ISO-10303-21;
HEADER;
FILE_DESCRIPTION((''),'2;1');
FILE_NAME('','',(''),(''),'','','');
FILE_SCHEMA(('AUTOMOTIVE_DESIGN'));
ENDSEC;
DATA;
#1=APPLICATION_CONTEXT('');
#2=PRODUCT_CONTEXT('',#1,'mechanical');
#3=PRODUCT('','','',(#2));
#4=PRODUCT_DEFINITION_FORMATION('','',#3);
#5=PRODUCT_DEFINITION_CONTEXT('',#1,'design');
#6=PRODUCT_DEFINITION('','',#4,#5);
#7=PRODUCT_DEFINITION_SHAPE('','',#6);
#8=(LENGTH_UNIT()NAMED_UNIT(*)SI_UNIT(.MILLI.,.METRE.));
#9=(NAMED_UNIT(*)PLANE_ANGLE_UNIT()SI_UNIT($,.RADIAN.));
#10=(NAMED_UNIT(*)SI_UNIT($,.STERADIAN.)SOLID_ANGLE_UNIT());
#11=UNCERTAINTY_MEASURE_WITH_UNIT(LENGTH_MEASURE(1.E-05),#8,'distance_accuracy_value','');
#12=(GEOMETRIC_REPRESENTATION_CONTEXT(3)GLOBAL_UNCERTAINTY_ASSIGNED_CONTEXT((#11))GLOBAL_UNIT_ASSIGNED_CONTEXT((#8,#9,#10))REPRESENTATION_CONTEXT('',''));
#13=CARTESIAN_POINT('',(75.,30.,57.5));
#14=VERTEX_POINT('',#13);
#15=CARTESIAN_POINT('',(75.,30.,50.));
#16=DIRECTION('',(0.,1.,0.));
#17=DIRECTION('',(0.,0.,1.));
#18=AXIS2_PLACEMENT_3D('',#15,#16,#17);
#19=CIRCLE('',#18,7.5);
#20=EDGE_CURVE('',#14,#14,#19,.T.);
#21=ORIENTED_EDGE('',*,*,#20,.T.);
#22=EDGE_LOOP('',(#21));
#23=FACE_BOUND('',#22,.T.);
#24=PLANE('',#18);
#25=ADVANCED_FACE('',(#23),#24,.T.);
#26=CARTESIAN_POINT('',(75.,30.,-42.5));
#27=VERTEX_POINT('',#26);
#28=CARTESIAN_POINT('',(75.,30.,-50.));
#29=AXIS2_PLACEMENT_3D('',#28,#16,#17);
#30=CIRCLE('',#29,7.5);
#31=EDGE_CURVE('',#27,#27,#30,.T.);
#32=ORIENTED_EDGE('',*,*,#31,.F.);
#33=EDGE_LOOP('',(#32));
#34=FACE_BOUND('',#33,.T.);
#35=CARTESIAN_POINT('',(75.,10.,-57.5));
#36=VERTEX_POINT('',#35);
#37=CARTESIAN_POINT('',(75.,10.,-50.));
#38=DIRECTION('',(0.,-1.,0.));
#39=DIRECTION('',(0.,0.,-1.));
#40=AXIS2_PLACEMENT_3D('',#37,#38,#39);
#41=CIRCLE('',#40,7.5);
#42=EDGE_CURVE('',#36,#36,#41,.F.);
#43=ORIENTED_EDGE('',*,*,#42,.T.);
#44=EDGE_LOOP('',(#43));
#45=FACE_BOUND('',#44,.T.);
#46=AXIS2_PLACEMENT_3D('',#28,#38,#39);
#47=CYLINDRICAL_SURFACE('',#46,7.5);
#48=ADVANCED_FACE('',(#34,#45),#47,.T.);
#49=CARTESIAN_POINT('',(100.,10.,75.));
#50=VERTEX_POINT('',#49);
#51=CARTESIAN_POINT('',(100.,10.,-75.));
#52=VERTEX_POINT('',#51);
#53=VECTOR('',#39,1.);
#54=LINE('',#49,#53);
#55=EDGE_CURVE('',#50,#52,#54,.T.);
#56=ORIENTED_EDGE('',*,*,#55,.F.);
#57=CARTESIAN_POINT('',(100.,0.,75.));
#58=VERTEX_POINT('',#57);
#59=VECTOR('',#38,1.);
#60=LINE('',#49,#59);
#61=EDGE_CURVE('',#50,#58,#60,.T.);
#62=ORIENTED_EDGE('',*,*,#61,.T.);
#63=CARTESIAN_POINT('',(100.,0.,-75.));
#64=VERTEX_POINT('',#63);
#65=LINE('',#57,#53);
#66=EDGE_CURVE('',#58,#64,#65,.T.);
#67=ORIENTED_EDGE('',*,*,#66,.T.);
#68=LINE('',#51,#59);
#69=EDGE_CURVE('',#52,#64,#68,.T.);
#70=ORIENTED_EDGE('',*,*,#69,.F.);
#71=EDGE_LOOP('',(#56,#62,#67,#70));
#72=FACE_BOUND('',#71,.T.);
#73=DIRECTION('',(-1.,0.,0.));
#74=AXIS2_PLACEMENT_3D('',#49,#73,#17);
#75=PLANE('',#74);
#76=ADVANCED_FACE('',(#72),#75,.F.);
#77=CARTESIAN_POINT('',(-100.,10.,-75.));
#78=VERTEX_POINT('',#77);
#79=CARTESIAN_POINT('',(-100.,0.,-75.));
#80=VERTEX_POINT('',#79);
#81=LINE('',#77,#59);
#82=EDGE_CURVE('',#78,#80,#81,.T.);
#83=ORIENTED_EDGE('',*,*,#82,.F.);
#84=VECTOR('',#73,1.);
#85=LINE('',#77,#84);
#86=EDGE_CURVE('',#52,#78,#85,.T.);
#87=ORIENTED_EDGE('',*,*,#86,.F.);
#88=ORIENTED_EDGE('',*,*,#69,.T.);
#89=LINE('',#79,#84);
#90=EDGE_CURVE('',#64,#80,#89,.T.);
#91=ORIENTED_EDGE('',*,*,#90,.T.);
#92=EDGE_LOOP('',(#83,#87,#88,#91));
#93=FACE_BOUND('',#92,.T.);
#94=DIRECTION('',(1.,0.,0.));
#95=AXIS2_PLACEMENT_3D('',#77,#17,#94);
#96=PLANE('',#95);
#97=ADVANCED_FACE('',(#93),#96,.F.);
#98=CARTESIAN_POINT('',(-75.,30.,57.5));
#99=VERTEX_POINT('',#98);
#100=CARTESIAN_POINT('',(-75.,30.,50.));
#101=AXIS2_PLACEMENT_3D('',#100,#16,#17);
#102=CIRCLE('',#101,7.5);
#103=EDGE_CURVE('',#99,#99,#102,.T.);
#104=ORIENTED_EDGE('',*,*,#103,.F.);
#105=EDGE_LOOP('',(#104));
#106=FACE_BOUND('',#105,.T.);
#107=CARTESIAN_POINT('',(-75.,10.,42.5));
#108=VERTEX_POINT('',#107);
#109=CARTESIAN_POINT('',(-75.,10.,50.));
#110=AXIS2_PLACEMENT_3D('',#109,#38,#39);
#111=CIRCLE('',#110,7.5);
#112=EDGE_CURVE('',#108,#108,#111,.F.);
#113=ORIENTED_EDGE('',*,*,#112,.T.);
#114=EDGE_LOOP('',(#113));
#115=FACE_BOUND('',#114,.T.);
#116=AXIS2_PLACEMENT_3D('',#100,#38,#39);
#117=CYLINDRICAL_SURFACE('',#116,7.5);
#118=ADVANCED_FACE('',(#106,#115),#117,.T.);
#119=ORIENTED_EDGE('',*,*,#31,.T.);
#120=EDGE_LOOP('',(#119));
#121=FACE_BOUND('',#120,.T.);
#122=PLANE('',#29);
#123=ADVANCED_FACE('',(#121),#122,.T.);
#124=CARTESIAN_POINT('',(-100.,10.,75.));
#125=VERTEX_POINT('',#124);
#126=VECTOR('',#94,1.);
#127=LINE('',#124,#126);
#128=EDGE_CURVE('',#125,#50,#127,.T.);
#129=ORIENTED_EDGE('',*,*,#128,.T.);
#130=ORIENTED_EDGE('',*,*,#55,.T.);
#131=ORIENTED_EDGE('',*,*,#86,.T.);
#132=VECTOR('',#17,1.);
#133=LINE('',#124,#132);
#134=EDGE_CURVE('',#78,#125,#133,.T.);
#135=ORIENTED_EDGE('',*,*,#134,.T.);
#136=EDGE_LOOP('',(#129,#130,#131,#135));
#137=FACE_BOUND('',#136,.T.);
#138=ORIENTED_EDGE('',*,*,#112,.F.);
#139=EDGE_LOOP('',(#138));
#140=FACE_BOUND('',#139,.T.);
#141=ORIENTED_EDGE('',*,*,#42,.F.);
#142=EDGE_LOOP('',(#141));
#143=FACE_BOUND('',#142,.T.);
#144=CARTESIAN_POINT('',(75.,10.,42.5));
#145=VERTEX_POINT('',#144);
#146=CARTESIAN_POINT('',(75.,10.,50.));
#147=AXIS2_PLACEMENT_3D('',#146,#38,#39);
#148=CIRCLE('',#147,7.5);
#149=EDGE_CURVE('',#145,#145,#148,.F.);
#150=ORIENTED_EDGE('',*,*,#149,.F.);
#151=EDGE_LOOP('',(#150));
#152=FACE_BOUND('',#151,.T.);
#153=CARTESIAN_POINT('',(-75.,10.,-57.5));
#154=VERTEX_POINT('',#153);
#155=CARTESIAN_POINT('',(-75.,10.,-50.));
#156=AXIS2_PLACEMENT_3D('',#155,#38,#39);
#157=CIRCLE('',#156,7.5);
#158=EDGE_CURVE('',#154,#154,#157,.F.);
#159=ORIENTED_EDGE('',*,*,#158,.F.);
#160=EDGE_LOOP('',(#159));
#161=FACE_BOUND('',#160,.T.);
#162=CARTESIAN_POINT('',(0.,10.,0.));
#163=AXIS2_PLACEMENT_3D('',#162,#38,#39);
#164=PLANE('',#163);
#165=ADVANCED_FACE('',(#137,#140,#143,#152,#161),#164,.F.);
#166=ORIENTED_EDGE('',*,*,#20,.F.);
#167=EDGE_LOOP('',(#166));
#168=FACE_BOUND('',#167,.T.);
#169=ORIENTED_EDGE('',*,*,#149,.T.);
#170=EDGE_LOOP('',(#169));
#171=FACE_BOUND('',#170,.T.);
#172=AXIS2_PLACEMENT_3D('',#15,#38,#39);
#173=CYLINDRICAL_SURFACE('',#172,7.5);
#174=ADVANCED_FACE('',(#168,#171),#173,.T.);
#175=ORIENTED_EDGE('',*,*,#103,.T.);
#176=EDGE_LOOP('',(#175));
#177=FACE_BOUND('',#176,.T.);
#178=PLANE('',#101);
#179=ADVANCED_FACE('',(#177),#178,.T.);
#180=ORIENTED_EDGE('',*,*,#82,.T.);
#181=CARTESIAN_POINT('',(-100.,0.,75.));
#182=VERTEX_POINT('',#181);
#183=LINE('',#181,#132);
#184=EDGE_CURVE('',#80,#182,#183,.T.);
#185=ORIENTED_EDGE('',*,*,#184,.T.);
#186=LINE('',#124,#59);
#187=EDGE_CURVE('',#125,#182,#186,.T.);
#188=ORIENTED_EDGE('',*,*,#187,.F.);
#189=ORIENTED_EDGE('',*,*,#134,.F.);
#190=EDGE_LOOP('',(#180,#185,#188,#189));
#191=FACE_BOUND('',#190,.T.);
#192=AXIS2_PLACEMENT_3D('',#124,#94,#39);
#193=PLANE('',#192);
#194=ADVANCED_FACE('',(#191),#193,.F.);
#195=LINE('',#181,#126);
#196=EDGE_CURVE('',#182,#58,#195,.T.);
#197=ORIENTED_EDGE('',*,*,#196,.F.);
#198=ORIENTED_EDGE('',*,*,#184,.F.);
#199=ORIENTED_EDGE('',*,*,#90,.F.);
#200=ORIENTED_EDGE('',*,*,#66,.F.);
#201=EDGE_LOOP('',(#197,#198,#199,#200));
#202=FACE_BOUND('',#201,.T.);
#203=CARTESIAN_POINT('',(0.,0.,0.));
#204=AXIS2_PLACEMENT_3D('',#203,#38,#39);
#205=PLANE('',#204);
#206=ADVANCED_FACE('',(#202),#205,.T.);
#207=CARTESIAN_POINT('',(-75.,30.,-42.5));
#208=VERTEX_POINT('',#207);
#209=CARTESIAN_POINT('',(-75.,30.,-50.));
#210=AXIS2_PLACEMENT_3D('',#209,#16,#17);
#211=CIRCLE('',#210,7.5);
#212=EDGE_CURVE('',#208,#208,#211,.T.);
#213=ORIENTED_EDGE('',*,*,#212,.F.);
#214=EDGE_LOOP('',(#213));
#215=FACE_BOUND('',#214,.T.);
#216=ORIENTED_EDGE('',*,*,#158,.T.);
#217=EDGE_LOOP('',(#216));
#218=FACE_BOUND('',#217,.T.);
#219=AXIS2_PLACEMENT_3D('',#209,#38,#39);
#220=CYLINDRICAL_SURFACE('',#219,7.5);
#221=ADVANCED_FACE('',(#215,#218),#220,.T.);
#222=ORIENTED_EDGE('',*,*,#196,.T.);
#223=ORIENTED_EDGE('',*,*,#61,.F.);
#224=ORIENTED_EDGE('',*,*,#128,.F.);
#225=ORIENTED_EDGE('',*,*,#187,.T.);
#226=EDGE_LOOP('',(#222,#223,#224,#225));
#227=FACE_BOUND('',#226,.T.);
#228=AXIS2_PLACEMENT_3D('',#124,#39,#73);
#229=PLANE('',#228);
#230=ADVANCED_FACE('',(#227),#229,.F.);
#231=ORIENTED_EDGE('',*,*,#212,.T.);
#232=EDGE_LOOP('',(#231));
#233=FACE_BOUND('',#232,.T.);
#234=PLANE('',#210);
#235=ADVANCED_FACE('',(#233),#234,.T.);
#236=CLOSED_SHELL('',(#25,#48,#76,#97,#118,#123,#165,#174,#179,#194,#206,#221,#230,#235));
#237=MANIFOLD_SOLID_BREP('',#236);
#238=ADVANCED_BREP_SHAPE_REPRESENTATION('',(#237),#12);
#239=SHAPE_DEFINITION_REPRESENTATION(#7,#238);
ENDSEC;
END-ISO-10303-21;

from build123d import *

# Parameters (mm, degrees)
SKETCH1_W           = 200
SKETCH1_H           = 150
BOSS_EXTRUDE1_DEPTH = 10
SKETCH2_R           = 7.5
BOSS_EXTRUDE2_DEPTH = 20


with BuildPart() as part:
    # Sketch1 → Boss-Extrude1 (new body)
    with BuildSketch(Plane(origin=(0, 0, 0), x_dir=(1, 0, 0), z_dir=(0, 1, 0))):
        Rectangle(SKETCH1_W, SKETCH1_H)
    extrude(amount=BOSS_EXTRUDE1_DEPTH)

    # Sketch2 → Boss-Extrude2 (add)
    with BuildSketch(Plane(origin=(0, 10, 0), x_dir=(1, 0, 0), z_dir=(0, 1, 0))):
        with Locations(Location((75, 50, 0), (0, 0, 90))):
            Circle(SKETCH2_R)
        with Locations(Location((75, -50, 0), (0, 0, 90))):
            Circle(SKETCH2_R)
        with Locations(Location((-75, -50, 0), (0, 0, 90))):
            Circle(SKETCH2_R)
        with Locations(Location((-75, 50, 0), (0, 0, 90))):
            Circle(SKETCH2_R)
    extrude(amount=BOSS_EXTRUDE2_DEPTH)


solid = part.part
